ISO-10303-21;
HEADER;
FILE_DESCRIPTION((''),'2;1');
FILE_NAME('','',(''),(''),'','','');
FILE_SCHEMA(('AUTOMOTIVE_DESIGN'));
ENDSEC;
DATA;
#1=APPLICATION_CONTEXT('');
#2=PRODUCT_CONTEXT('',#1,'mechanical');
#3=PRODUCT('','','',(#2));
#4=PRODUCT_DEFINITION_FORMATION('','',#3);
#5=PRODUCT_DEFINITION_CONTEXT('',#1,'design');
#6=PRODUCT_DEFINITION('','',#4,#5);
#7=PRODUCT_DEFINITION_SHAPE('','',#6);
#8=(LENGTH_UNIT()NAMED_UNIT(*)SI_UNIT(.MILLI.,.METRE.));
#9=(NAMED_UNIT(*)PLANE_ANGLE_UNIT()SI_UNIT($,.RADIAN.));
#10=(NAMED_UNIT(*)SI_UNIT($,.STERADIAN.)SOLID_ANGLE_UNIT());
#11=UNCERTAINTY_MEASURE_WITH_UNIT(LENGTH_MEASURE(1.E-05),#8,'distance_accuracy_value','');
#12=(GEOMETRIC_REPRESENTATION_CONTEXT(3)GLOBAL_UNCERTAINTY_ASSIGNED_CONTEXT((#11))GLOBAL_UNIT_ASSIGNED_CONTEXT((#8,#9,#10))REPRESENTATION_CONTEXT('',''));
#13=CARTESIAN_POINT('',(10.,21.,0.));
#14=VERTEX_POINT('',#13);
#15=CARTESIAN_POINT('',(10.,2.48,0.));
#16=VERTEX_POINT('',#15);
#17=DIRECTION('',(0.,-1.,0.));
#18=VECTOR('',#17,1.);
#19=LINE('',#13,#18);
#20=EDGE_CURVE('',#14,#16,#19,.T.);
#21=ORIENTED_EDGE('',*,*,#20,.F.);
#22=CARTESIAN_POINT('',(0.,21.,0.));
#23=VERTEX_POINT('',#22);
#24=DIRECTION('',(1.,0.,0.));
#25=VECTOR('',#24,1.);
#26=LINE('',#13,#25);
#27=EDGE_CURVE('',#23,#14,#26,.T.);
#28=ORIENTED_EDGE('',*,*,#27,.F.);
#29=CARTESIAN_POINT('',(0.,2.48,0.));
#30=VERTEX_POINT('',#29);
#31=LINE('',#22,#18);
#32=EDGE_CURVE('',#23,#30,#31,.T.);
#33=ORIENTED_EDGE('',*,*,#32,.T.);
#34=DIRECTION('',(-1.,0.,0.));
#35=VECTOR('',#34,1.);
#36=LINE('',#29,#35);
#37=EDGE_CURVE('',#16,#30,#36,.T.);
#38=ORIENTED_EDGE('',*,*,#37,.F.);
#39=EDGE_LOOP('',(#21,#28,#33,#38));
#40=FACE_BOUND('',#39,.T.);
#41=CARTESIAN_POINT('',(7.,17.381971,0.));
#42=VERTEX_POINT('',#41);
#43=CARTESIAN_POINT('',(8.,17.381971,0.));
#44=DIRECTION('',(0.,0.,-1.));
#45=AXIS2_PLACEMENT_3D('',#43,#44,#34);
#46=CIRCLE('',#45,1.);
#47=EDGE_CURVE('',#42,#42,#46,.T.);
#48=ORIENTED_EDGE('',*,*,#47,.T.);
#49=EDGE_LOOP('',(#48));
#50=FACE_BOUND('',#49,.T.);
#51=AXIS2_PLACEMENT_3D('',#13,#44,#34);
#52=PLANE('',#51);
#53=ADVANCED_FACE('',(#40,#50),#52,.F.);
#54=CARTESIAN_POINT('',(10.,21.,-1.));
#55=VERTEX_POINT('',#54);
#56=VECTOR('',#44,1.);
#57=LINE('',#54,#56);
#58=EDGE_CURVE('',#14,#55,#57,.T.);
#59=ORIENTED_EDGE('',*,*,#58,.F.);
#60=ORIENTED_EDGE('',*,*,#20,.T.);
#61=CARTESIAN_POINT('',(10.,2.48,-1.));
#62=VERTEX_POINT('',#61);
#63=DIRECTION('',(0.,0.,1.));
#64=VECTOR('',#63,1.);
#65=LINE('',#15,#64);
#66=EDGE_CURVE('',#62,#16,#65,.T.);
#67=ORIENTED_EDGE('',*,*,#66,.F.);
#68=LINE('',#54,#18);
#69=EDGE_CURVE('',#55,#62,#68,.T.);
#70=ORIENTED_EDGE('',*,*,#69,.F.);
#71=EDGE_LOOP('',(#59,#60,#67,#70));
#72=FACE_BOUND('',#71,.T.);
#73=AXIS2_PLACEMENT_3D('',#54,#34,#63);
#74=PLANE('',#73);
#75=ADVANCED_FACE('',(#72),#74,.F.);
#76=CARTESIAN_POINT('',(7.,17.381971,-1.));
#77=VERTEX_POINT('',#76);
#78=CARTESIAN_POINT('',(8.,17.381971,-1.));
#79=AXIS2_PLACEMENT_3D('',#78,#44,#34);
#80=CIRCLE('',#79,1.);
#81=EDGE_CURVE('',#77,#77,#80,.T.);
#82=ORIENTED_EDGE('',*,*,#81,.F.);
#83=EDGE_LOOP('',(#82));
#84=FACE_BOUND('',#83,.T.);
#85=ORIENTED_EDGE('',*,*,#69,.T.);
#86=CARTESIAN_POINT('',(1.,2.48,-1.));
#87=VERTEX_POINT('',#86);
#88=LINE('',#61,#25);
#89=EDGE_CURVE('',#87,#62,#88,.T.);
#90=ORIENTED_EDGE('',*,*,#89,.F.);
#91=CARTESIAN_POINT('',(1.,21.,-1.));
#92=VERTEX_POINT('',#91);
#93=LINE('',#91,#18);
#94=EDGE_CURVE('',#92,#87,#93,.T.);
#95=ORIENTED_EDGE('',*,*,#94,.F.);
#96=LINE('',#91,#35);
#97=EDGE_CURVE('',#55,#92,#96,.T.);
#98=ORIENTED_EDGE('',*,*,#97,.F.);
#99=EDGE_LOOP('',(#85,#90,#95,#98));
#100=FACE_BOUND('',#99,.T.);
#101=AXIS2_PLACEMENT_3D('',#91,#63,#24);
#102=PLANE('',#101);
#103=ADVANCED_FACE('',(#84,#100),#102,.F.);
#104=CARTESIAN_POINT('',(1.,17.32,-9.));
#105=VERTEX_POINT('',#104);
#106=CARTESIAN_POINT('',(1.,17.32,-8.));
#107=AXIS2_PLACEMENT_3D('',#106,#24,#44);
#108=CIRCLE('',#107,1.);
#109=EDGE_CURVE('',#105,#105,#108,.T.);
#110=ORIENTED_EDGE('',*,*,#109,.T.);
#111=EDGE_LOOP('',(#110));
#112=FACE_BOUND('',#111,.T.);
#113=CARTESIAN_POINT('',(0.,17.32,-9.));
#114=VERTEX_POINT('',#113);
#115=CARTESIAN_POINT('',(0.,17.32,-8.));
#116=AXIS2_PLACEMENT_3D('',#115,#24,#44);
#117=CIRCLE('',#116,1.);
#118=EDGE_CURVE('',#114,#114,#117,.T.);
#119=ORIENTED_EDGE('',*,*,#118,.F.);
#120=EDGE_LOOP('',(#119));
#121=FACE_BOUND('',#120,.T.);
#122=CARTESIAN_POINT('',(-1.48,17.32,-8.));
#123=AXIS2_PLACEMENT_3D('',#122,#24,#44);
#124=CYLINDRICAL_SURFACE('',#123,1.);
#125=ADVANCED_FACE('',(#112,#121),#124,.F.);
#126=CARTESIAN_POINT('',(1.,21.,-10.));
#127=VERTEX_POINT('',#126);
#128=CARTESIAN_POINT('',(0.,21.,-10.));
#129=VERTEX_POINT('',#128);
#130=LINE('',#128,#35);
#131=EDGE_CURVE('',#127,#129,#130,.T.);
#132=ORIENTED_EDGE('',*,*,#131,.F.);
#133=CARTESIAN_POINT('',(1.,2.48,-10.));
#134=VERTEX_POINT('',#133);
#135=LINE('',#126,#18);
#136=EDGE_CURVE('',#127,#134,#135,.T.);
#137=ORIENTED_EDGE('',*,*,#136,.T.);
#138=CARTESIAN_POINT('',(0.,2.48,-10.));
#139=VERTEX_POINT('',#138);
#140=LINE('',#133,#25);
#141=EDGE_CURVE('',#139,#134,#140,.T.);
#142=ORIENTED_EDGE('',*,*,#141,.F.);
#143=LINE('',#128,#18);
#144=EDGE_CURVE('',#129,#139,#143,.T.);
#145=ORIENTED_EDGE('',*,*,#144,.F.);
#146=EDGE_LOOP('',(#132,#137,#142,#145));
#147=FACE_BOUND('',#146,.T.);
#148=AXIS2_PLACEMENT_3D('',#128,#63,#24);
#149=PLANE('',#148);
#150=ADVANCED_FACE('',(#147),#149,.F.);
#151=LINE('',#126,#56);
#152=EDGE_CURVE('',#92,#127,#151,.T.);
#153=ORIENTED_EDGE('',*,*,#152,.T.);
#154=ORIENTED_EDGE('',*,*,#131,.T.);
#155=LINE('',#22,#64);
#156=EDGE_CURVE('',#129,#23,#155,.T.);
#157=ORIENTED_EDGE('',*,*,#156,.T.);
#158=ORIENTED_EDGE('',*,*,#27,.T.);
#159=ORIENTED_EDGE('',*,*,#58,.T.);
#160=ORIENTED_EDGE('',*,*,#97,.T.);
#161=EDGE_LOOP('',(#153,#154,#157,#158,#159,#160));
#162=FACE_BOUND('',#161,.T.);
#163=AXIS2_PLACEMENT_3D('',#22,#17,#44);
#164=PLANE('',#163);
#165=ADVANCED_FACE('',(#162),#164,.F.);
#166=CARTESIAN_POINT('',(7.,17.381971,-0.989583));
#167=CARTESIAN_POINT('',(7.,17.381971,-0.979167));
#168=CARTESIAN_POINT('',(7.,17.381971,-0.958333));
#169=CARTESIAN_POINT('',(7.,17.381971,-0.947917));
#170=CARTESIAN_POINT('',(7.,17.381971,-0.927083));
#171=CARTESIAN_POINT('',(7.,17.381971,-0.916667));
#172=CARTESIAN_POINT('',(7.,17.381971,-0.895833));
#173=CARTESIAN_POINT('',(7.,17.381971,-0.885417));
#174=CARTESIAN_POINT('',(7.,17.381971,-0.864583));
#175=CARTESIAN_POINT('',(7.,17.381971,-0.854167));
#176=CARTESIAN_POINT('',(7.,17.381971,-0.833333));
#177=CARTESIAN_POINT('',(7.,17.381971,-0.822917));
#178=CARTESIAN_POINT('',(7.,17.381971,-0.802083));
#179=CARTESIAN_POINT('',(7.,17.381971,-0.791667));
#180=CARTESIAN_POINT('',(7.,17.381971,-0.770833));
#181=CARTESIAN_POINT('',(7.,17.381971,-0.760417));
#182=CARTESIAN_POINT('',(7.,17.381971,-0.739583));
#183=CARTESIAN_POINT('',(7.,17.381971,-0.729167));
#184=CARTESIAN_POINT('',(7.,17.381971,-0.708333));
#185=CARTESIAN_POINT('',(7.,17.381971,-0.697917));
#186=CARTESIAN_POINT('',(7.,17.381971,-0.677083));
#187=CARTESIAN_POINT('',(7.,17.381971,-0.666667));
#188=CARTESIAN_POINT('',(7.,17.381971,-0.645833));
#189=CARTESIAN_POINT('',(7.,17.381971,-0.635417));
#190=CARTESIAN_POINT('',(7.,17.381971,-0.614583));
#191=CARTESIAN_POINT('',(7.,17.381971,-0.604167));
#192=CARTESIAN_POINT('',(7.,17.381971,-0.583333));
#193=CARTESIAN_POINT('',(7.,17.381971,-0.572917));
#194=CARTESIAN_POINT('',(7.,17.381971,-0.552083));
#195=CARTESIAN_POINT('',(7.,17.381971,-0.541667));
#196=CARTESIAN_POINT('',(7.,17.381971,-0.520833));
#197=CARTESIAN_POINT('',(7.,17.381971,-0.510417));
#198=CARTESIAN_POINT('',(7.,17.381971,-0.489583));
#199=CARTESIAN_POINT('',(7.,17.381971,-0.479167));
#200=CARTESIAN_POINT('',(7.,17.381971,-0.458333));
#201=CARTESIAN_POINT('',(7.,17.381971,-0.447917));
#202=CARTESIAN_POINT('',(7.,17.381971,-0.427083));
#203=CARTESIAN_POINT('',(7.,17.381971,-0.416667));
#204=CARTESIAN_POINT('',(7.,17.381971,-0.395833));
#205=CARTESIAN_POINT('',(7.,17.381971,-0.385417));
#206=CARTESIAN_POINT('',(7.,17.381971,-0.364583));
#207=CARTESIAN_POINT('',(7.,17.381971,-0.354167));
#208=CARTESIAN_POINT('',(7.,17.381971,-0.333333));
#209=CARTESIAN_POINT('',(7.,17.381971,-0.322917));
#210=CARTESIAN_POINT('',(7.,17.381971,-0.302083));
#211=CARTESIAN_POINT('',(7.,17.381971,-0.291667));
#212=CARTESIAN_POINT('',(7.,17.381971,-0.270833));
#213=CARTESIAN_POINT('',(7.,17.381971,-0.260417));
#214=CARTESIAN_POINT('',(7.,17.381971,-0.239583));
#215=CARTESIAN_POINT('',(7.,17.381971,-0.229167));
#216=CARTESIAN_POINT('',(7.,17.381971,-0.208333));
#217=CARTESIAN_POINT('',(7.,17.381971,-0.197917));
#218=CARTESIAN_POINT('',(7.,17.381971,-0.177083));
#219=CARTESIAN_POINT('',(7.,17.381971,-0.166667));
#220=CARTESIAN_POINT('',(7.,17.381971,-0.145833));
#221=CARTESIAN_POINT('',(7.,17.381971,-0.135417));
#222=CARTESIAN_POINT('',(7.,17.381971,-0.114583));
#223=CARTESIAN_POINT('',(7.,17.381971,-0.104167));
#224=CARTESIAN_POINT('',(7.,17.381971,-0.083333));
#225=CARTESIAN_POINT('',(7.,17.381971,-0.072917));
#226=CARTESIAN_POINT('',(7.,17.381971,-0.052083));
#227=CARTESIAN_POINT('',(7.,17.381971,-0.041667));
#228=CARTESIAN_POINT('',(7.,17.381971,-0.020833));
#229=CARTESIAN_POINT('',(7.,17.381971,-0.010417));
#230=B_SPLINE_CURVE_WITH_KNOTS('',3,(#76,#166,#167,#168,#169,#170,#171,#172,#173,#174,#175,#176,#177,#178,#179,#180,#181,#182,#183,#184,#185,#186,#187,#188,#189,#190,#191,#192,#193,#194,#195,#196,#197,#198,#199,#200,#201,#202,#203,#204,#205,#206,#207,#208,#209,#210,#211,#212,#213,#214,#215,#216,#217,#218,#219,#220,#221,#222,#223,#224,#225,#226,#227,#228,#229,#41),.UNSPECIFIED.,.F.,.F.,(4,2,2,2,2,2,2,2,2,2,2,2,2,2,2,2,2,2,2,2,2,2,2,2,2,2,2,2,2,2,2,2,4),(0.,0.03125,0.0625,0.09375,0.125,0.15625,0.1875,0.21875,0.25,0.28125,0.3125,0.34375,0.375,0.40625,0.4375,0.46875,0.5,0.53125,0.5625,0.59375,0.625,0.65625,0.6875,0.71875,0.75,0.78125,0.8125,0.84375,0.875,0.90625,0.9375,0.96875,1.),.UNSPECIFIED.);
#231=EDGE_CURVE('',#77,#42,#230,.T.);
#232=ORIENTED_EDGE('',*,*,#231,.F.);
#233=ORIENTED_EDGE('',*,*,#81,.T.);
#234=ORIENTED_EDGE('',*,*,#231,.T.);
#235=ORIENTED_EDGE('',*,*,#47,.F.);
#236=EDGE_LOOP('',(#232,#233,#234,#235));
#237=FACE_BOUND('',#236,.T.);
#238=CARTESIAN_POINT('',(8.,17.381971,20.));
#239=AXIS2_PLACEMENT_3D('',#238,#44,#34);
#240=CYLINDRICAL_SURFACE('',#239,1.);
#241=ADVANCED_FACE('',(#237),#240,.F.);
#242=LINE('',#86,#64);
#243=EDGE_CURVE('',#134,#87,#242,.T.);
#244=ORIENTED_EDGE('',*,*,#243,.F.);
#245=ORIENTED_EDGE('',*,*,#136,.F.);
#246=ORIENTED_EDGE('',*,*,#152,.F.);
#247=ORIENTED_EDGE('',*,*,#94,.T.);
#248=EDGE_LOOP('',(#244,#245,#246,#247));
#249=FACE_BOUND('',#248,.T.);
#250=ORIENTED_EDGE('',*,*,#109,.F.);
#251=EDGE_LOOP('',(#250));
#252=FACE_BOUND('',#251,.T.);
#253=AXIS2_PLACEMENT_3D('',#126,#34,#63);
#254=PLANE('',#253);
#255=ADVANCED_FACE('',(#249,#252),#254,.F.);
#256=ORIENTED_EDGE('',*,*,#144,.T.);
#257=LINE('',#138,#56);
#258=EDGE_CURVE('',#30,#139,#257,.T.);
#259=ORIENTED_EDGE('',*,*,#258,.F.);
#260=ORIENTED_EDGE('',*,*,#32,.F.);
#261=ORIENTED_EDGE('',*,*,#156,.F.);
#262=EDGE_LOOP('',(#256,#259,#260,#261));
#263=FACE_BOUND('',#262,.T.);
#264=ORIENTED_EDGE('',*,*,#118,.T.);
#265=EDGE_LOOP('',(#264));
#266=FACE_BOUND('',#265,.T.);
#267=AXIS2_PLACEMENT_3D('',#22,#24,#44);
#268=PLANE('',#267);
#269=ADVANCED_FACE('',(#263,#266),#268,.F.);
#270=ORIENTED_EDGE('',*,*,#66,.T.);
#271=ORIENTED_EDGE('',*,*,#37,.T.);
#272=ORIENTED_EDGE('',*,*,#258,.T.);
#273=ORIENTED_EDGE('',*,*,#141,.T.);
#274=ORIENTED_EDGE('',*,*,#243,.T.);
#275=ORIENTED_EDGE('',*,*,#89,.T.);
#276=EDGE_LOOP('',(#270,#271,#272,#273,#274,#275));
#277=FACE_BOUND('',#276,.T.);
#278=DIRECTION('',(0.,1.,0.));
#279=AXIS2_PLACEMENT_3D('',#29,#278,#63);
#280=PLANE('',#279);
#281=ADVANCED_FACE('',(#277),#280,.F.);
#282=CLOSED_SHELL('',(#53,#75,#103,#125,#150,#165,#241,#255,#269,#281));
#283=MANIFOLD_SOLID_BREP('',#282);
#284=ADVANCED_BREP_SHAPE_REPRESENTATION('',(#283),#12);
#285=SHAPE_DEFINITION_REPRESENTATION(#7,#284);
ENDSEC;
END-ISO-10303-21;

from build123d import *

# Parameters (mm, degrees)
BOSS_EXTRUDE1_DEPTH = 21
SKETCH2_R           = 1
CUT_EXTRUDE1_DEPTH  = 21
CUT_EXTRUDE2_DEPTH  = 2.48
SKETCH4_R           = 1
CUT_EXTRUDE3_DEPTH  = 2.48


with BuildPart() as part:
    # Sketch1 → Boss-Extrude1 (new body)
    with BuildSketch(Plane(origin=(0, 0, 0), x_dir=(1, 0, 0), z_dir=(0, 1, 0))):
        Polygon((0, 0), (0, 10), (1, 10), (1, 1), (10, 1), (10, 0), align=None)
    extrude(amount=BOSS_EXTRUDE1_DEPTH)

    # Sketch2 → Cut-Extrude1 (cut)
    with BuildSketch(Plane(origin=(0, 0, -1), x_dir=(-1, 0, 0), z_dir=(0, 0, -1))):
        with Locations((-8, 17.381971211)):
            Circle(SKETCH2_R)
    extrude(amount=-CUT_EXTRUDE1_DEPTH, mode=Mode.SUBTRACT)

    # Sketch3 → Cut-Extrude2 (cut)
    with BuildSketch(Plane.XZ):
        Polygon((10, 0), (10, -1), (1, -1), (1, -10), (0, -10), (0, 0), align=None)
    extrude(amount=-CUT_EXTRUDE2_DEPTH, mode=Mode.SUBTRACT)

    # Sketch4 → Cut-Extrude3 (cut)
    with BuildSketch(Plane(origin=(1, 0, 0), x_dir=(0, 0, -1), z_dir=(1, 0, 0))):
        with Locations((8, 17.32)):
            Circle(SKETCH4_R)
    extrude(amount=-CUT_EXTRUDE3_DEPTH, mode=Mode.SUBTRACT)


solid = part.part
